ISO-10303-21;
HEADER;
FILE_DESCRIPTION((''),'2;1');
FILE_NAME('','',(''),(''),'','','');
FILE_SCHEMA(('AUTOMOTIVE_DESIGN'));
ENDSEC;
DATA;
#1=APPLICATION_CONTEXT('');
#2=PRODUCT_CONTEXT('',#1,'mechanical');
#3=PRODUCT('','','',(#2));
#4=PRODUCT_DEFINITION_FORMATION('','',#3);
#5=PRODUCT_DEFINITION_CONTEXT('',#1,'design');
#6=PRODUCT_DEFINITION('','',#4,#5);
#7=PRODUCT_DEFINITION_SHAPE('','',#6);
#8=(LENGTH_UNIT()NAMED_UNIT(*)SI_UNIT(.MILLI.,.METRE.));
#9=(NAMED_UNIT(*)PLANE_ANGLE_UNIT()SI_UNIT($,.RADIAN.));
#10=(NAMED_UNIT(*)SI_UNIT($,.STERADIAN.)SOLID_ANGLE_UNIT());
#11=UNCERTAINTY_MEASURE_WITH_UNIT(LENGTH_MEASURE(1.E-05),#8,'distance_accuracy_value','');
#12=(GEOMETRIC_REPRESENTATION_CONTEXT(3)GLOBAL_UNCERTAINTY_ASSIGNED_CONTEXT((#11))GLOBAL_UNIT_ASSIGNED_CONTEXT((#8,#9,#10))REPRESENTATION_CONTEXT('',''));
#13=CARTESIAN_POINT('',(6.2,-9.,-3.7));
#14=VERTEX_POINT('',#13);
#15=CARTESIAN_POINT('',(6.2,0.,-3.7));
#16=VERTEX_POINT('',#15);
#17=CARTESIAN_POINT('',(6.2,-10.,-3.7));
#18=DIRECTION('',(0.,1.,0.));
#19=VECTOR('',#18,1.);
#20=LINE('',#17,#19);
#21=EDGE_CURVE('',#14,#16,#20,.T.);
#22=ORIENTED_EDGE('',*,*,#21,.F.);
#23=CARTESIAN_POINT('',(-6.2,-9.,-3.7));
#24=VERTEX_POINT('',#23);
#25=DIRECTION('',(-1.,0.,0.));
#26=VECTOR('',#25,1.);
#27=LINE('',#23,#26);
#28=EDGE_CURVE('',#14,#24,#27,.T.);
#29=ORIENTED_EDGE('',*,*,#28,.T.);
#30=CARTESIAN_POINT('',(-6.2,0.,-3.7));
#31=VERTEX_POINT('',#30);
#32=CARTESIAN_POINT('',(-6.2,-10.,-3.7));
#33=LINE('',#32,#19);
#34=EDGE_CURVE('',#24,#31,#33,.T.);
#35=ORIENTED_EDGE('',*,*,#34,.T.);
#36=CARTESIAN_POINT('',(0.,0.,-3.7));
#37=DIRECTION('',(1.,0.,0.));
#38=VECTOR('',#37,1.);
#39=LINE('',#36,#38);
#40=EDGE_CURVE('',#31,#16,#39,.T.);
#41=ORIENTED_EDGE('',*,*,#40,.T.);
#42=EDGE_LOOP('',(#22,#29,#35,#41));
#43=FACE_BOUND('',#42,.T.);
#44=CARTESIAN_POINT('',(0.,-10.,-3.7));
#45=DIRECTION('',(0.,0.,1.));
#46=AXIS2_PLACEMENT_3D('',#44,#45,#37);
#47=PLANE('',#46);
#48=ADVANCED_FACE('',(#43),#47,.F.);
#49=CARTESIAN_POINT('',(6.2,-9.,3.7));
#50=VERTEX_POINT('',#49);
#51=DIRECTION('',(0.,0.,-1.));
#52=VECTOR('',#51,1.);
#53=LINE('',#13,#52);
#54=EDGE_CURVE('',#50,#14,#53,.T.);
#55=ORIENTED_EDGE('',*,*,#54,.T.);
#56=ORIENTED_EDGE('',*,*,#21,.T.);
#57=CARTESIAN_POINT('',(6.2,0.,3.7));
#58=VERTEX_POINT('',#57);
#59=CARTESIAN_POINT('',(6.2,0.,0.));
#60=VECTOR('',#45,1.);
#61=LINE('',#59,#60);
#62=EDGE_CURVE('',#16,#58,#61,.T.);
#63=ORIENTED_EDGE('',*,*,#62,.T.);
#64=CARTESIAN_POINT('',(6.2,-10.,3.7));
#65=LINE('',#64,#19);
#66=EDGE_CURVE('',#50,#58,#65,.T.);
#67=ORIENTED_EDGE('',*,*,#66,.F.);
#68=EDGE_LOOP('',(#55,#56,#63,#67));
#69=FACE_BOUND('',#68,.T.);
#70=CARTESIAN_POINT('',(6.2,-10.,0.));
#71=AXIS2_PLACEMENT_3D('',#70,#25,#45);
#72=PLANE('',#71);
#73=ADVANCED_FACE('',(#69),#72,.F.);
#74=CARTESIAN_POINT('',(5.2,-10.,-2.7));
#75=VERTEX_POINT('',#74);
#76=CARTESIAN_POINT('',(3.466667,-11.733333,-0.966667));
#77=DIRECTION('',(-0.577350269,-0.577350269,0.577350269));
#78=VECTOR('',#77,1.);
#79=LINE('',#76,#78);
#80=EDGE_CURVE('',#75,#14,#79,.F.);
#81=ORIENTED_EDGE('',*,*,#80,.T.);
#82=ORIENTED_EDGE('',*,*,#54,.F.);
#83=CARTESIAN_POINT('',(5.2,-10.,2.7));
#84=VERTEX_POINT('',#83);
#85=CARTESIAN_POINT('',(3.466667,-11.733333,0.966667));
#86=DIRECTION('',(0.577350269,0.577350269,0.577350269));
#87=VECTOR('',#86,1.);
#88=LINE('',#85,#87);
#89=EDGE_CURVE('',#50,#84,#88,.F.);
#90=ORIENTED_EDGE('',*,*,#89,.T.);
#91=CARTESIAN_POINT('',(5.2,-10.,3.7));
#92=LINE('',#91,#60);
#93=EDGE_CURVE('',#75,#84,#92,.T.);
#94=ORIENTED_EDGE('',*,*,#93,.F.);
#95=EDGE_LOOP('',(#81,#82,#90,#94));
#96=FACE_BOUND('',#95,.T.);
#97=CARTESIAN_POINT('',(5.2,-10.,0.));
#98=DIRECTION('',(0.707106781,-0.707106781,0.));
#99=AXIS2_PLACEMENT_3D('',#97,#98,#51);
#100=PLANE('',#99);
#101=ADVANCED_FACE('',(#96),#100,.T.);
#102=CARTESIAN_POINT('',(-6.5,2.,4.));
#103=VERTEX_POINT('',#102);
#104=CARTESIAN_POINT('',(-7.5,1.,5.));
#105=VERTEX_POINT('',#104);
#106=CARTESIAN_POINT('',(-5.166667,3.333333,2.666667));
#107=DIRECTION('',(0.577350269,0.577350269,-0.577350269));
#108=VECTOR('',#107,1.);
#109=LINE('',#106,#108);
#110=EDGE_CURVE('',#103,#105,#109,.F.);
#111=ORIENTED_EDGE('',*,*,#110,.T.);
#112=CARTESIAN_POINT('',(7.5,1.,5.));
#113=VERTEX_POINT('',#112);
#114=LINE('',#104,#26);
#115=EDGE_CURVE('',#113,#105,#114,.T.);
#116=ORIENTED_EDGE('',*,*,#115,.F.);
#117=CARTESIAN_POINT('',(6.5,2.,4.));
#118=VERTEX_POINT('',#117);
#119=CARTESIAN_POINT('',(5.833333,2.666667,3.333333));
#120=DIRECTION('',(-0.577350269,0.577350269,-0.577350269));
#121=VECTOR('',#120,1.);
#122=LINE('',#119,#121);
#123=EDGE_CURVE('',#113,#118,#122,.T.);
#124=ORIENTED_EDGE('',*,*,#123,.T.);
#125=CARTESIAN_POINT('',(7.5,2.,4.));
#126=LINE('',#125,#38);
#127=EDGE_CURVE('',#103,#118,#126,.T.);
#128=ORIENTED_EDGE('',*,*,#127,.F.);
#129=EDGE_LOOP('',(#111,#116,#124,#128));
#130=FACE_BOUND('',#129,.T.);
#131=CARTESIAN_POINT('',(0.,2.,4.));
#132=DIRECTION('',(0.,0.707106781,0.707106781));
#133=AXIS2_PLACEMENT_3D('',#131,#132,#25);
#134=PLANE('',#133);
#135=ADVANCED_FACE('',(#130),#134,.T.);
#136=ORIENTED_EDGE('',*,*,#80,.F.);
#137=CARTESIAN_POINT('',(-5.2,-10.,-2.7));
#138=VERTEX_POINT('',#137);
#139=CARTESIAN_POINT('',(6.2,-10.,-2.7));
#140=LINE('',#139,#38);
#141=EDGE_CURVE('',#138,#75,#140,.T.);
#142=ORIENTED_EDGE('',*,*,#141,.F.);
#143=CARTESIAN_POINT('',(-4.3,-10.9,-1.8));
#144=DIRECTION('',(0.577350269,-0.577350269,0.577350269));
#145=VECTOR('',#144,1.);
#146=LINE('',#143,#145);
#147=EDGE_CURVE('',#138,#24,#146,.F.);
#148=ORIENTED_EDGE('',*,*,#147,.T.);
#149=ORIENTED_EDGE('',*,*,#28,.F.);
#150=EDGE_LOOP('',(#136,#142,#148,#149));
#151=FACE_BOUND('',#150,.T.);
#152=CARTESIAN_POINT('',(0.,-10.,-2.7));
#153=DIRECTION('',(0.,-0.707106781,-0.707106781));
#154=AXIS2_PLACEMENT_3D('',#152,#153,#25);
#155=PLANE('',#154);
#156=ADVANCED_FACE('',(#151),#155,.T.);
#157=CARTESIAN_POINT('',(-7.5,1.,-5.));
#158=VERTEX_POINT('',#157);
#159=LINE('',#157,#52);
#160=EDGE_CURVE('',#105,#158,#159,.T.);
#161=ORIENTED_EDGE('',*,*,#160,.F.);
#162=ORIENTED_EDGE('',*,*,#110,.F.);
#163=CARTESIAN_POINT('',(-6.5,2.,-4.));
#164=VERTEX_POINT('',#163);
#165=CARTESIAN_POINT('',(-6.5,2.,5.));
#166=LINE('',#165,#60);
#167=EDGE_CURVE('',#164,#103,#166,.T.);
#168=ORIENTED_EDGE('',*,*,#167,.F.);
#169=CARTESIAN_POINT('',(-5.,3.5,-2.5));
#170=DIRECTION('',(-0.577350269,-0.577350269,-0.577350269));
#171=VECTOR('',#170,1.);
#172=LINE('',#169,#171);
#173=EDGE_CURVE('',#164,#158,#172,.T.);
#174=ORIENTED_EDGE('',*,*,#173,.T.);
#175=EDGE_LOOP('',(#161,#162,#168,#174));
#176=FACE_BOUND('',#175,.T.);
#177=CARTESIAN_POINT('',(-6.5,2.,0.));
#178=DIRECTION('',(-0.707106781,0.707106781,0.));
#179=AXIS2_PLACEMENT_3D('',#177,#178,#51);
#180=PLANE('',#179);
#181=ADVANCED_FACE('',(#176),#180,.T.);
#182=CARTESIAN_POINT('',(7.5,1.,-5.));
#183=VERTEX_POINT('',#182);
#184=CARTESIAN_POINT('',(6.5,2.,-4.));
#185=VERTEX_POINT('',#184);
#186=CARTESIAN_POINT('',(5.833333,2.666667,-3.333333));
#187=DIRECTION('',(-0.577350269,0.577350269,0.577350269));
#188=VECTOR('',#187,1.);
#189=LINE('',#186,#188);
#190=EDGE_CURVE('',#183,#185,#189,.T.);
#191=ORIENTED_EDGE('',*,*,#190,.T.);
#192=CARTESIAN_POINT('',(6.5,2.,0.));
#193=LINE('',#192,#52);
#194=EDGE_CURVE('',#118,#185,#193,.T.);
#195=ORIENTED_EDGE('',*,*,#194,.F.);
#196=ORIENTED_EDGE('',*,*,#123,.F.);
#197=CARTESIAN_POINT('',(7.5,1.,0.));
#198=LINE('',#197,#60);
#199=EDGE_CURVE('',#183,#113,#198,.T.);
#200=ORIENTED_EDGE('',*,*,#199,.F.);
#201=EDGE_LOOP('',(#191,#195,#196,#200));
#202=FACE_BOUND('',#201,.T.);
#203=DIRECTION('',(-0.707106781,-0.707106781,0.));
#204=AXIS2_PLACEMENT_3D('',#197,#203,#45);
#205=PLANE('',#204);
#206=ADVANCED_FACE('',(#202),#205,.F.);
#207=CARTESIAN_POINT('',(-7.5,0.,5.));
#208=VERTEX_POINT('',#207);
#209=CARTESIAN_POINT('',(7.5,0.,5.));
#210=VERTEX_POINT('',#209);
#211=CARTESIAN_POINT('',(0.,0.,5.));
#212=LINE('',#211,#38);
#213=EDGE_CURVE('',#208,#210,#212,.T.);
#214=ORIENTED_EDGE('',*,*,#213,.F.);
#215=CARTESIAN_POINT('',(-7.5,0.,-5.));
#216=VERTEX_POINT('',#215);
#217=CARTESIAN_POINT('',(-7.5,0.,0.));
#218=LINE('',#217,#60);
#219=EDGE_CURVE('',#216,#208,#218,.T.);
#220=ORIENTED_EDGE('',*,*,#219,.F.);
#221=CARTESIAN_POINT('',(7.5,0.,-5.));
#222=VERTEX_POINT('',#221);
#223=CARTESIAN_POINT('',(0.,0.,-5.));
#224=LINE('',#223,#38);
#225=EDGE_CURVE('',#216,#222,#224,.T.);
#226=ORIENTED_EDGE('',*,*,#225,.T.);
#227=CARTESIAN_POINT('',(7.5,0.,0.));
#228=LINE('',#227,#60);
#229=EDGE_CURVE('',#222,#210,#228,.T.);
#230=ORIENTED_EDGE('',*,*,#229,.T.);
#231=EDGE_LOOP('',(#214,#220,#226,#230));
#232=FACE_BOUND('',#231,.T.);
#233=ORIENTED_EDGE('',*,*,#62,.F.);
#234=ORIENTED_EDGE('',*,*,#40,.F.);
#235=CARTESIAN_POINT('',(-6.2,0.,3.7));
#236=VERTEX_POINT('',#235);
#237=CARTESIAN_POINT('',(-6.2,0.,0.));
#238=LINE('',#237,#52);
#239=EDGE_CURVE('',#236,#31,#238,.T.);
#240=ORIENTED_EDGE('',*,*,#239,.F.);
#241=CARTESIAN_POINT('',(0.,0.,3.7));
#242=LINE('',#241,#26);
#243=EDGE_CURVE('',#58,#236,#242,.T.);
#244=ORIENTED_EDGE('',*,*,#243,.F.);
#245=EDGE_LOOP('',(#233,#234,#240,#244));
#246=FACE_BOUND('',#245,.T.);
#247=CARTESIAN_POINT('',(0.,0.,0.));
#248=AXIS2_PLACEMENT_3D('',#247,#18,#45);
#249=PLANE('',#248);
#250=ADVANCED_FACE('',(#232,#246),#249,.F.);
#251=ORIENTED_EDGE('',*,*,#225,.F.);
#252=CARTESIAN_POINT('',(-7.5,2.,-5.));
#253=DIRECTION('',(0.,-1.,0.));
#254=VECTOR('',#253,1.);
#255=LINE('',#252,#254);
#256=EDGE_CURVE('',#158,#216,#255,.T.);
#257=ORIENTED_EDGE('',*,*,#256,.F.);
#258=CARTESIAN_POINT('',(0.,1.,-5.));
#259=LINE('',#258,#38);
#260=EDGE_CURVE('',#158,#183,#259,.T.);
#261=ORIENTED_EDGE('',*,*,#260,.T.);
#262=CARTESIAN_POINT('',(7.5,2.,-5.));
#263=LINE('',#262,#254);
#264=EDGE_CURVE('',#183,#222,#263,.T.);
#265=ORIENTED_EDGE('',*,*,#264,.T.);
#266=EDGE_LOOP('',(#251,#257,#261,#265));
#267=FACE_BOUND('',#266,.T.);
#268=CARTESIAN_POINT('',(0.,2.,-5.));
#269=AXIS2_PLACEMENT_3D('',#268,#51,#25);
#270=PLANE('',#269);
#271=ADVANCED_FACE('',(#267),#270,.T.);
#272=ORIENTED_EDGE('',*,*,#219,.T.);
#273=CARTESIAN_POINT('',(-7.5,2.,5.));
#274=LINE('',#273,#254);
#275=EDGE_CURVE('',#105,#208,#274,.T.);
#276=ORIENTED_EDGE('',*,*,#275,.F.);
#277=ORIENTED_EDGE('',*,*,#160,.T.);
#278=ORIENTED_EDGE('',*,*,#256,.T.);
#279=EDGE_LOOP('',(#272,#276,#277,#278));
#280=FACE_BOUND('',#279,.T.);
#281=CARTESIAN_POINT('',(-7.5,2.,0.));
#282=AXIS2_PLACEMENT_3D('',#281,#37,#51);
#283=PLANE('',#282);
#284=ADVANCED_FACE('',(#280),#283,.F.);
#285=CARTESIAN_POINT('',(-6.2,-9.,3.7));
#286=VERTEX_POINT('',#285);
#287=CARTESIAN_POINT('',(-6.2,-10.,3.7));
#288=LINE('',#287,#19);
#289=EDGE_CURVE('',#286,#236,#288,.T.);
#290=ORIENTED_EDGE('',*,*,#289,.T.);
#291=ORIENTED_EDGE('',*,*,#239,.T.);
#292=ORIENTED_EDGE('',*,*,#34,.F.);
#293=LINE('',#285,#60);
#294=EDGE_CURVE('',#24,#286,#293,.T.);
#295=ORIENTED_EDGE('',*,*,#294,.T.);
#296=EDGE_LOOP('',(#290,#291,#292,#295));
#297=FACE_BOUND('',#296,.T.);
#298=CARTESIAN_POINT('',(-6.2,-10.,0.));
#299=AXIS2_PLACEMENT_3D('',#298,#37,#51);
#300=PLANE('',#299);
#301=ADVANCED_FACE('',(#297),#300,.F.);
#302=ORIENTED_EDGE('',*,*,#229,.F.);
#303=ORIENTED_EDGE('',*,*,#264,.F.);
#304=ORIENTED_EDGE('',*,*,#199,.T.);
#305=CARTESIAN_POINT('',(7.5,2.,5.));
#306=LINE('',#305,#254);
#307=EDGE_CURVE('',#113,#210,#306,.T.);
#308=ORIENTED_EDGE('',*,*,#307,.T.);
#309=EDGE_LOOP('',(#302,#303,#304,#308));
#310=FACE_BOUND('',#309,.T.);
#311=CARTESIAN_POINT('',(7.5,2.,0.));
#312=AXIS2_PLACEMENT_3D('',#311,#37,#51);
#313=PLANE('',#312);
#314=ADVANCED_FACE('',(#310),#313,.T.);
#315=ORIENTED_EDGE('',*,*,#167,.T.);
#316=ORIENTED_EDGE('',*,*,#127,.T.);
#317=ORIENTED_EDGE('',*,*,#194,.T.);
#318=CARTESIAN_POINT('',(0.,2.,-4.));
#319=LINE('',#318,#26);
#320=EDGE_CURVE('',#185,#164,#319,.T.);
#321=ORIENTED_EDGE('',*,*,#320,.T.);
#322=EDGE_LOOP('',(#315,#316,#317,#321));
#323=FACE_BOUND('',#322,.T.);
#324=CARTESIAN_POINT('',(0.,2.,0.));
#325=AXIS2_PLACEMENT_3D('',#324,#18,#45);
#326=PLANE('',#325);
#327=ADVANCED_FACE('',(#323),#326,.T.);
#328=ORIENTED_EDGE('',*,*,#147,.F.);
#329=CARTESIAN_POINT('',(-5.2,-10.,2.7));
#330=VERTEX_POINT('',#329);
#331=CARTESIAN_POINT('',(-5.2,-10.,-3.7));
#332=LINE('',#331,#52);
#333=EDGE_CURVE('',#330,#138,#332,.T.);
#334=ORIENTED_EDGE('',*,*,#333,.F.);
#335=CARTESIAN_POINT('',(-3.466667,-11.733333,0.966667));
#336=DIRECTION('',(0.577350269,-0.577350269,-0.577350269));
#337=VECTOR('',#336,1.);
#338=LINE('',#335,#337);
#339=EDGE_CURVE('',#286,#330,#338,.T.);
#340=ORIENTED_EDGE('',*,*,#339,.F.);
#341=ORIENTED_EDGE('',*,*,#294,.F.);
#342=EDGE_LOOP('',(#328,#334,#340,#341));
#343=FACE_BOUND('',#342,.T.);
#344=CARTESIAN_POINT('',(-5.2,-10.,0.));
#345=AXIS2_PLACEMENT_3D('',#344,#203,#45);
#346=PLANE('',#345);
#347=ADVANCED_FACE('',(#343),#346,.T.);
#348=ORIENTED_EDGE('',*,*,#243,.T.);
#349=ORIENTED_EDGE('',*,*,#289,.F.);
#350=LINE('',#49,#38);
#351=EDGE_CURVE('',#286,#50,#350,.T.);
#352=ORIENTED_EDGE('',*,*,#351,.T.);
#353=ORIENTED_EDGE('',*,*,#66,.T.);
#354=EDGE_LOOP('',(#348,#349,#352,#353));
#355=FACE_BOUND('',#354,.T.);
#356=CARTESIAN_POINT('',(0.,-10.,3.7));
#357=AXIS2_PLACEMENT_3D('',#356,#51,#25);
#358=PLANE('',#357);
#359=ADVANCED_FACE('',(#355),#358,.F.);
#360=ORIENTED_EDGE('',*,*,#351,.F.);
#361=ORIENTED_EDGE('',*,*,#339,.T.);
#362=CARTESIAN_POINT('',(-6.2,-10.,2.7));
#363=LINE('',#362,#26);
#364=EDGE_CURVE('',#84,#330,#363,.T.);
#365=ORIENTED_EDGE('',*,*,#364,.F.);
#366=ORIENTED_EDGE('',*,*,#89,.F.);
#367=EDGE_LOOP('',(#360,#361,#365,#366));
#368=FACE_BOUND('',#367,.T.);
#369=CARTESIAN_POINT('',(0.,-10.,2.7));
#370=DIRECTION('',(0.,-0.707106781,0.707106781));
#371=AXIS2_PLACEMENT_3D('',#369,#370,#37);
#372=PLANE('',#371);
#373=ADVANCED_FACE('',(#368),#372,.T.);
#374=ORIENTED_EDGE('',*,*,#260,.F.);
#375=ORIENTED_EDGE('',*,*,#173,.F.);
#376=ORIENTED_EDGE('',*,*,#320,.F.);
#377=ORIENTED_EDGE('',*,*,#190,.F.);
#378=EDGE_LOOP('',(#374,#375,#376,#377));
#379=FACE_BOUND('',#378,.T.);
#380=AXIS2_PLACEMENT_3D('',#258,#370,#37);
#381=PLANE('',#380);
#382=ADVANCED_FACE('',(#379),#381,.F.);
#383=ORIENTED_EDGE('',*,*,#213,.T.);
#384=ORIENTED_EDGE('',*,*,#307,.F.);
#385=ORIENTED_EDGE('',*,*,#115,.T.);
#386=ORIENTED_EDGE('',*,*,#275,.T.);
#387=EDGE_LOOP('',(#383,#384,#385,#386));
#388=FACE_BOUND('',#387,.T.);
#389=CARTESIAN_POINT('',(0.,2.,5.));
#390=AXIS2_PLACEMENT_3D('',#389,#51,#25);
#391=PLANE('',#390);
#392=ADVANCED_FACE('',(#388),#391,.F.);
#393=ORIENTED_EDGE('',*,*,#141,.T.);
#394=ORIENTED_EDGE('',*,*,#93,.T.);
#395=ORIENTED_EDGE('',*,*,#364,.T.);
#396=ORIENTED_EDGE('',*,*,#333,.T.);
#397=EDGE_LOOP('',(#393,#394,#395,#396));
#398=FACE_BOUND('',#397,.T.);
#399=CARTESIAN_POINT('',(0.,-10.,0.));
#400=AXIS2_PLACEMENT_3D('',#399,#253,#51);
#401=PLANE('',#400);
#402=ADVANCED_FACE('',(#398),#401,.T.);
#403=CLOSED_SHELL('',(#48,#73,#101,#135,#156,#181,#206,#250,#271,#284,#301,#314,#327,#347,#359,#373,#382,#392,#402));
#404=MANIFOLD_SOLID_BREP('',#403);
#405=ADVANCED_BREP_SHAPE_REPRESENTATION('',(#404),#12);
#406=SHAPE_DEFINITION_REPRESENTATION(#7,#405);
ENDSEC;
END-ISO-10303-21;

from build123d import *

# Parameters (mm, degrees)
SKETCH_1_W      = 15
SKETCH_1_H      = 10
SKETCH_1_W_2    = 12.4
SKETCH_1_H_2    = 7.4
EXTRUDE_1_DEPTH = 2
SKETCH_2_W      = 12.4
SKETCH_2_H      = 7.4
EXTRUDE_2_DEPTH = 10
CHAMFER_1_SIZE  = 1
CHAMFER_2_SIZE  = 1


with BuildPart() as part:
    # ｽｹｯﾁ1 → ﾎﾞｽ - 押し出し1 (new body)
    # profile 1 of 2: a face of its own
    with BuildSketch(Plane(origin=(0, 0, 0), x_dir=(1, 0, 0), z_dir=(0, 1, 0))):
        Rectangle(SKETCH_1_W, SKETCH_1_H)
        Rectangle(SKETCH_1_W_2, SKETCH_1_H_2, mode=Mode.SUBTRACT)
    # profile 2 of 2: a face of its own
    with BuildSketch(Plane(origin=(0, 0, 0), x_dir=(1, 0, 0), z_dir=(0, 1, 0))):
        Rectangle(SKETCH_1_W_2, SKETCH_1_H_2)
    extrude(amount=EXTRUDE_1_DEPTH)

    # ｽｹｯﾁ2 → ﾎﾞｽ - 押し出し2 (add)
    with BuildSketch(Plane.XZ):
        Rectangle(SKETCH_2_W, SKETCH_2_H)
    extrude(amount=EXTRUDE_2_DEPTH)

    # 面取り1
    chamfer_1_edges = [part.edges().sort_by_distance(p)[0] for p in [
        (0, -10, 3.7),
        (-6.2, -10, 0),
        (0, -10, -3.7),
        (6.2, -10, 0),
    ]]
    chamfer(chamfer_1_edges, length=CHAMFER_1_SIZE)

    # 面取り2
    chamfer_2_edges = [part.edges().sort_by_distance(p)[0] for p in [
        (0, 2, -5),
        (-7.5, 2, 0),
        (0, 2, 5),
        (7.5, 2, 0),
    ]]
    chamfer(chamfer_2_edges, length=CHAMFER_2_SIZE)


solid = part.part
